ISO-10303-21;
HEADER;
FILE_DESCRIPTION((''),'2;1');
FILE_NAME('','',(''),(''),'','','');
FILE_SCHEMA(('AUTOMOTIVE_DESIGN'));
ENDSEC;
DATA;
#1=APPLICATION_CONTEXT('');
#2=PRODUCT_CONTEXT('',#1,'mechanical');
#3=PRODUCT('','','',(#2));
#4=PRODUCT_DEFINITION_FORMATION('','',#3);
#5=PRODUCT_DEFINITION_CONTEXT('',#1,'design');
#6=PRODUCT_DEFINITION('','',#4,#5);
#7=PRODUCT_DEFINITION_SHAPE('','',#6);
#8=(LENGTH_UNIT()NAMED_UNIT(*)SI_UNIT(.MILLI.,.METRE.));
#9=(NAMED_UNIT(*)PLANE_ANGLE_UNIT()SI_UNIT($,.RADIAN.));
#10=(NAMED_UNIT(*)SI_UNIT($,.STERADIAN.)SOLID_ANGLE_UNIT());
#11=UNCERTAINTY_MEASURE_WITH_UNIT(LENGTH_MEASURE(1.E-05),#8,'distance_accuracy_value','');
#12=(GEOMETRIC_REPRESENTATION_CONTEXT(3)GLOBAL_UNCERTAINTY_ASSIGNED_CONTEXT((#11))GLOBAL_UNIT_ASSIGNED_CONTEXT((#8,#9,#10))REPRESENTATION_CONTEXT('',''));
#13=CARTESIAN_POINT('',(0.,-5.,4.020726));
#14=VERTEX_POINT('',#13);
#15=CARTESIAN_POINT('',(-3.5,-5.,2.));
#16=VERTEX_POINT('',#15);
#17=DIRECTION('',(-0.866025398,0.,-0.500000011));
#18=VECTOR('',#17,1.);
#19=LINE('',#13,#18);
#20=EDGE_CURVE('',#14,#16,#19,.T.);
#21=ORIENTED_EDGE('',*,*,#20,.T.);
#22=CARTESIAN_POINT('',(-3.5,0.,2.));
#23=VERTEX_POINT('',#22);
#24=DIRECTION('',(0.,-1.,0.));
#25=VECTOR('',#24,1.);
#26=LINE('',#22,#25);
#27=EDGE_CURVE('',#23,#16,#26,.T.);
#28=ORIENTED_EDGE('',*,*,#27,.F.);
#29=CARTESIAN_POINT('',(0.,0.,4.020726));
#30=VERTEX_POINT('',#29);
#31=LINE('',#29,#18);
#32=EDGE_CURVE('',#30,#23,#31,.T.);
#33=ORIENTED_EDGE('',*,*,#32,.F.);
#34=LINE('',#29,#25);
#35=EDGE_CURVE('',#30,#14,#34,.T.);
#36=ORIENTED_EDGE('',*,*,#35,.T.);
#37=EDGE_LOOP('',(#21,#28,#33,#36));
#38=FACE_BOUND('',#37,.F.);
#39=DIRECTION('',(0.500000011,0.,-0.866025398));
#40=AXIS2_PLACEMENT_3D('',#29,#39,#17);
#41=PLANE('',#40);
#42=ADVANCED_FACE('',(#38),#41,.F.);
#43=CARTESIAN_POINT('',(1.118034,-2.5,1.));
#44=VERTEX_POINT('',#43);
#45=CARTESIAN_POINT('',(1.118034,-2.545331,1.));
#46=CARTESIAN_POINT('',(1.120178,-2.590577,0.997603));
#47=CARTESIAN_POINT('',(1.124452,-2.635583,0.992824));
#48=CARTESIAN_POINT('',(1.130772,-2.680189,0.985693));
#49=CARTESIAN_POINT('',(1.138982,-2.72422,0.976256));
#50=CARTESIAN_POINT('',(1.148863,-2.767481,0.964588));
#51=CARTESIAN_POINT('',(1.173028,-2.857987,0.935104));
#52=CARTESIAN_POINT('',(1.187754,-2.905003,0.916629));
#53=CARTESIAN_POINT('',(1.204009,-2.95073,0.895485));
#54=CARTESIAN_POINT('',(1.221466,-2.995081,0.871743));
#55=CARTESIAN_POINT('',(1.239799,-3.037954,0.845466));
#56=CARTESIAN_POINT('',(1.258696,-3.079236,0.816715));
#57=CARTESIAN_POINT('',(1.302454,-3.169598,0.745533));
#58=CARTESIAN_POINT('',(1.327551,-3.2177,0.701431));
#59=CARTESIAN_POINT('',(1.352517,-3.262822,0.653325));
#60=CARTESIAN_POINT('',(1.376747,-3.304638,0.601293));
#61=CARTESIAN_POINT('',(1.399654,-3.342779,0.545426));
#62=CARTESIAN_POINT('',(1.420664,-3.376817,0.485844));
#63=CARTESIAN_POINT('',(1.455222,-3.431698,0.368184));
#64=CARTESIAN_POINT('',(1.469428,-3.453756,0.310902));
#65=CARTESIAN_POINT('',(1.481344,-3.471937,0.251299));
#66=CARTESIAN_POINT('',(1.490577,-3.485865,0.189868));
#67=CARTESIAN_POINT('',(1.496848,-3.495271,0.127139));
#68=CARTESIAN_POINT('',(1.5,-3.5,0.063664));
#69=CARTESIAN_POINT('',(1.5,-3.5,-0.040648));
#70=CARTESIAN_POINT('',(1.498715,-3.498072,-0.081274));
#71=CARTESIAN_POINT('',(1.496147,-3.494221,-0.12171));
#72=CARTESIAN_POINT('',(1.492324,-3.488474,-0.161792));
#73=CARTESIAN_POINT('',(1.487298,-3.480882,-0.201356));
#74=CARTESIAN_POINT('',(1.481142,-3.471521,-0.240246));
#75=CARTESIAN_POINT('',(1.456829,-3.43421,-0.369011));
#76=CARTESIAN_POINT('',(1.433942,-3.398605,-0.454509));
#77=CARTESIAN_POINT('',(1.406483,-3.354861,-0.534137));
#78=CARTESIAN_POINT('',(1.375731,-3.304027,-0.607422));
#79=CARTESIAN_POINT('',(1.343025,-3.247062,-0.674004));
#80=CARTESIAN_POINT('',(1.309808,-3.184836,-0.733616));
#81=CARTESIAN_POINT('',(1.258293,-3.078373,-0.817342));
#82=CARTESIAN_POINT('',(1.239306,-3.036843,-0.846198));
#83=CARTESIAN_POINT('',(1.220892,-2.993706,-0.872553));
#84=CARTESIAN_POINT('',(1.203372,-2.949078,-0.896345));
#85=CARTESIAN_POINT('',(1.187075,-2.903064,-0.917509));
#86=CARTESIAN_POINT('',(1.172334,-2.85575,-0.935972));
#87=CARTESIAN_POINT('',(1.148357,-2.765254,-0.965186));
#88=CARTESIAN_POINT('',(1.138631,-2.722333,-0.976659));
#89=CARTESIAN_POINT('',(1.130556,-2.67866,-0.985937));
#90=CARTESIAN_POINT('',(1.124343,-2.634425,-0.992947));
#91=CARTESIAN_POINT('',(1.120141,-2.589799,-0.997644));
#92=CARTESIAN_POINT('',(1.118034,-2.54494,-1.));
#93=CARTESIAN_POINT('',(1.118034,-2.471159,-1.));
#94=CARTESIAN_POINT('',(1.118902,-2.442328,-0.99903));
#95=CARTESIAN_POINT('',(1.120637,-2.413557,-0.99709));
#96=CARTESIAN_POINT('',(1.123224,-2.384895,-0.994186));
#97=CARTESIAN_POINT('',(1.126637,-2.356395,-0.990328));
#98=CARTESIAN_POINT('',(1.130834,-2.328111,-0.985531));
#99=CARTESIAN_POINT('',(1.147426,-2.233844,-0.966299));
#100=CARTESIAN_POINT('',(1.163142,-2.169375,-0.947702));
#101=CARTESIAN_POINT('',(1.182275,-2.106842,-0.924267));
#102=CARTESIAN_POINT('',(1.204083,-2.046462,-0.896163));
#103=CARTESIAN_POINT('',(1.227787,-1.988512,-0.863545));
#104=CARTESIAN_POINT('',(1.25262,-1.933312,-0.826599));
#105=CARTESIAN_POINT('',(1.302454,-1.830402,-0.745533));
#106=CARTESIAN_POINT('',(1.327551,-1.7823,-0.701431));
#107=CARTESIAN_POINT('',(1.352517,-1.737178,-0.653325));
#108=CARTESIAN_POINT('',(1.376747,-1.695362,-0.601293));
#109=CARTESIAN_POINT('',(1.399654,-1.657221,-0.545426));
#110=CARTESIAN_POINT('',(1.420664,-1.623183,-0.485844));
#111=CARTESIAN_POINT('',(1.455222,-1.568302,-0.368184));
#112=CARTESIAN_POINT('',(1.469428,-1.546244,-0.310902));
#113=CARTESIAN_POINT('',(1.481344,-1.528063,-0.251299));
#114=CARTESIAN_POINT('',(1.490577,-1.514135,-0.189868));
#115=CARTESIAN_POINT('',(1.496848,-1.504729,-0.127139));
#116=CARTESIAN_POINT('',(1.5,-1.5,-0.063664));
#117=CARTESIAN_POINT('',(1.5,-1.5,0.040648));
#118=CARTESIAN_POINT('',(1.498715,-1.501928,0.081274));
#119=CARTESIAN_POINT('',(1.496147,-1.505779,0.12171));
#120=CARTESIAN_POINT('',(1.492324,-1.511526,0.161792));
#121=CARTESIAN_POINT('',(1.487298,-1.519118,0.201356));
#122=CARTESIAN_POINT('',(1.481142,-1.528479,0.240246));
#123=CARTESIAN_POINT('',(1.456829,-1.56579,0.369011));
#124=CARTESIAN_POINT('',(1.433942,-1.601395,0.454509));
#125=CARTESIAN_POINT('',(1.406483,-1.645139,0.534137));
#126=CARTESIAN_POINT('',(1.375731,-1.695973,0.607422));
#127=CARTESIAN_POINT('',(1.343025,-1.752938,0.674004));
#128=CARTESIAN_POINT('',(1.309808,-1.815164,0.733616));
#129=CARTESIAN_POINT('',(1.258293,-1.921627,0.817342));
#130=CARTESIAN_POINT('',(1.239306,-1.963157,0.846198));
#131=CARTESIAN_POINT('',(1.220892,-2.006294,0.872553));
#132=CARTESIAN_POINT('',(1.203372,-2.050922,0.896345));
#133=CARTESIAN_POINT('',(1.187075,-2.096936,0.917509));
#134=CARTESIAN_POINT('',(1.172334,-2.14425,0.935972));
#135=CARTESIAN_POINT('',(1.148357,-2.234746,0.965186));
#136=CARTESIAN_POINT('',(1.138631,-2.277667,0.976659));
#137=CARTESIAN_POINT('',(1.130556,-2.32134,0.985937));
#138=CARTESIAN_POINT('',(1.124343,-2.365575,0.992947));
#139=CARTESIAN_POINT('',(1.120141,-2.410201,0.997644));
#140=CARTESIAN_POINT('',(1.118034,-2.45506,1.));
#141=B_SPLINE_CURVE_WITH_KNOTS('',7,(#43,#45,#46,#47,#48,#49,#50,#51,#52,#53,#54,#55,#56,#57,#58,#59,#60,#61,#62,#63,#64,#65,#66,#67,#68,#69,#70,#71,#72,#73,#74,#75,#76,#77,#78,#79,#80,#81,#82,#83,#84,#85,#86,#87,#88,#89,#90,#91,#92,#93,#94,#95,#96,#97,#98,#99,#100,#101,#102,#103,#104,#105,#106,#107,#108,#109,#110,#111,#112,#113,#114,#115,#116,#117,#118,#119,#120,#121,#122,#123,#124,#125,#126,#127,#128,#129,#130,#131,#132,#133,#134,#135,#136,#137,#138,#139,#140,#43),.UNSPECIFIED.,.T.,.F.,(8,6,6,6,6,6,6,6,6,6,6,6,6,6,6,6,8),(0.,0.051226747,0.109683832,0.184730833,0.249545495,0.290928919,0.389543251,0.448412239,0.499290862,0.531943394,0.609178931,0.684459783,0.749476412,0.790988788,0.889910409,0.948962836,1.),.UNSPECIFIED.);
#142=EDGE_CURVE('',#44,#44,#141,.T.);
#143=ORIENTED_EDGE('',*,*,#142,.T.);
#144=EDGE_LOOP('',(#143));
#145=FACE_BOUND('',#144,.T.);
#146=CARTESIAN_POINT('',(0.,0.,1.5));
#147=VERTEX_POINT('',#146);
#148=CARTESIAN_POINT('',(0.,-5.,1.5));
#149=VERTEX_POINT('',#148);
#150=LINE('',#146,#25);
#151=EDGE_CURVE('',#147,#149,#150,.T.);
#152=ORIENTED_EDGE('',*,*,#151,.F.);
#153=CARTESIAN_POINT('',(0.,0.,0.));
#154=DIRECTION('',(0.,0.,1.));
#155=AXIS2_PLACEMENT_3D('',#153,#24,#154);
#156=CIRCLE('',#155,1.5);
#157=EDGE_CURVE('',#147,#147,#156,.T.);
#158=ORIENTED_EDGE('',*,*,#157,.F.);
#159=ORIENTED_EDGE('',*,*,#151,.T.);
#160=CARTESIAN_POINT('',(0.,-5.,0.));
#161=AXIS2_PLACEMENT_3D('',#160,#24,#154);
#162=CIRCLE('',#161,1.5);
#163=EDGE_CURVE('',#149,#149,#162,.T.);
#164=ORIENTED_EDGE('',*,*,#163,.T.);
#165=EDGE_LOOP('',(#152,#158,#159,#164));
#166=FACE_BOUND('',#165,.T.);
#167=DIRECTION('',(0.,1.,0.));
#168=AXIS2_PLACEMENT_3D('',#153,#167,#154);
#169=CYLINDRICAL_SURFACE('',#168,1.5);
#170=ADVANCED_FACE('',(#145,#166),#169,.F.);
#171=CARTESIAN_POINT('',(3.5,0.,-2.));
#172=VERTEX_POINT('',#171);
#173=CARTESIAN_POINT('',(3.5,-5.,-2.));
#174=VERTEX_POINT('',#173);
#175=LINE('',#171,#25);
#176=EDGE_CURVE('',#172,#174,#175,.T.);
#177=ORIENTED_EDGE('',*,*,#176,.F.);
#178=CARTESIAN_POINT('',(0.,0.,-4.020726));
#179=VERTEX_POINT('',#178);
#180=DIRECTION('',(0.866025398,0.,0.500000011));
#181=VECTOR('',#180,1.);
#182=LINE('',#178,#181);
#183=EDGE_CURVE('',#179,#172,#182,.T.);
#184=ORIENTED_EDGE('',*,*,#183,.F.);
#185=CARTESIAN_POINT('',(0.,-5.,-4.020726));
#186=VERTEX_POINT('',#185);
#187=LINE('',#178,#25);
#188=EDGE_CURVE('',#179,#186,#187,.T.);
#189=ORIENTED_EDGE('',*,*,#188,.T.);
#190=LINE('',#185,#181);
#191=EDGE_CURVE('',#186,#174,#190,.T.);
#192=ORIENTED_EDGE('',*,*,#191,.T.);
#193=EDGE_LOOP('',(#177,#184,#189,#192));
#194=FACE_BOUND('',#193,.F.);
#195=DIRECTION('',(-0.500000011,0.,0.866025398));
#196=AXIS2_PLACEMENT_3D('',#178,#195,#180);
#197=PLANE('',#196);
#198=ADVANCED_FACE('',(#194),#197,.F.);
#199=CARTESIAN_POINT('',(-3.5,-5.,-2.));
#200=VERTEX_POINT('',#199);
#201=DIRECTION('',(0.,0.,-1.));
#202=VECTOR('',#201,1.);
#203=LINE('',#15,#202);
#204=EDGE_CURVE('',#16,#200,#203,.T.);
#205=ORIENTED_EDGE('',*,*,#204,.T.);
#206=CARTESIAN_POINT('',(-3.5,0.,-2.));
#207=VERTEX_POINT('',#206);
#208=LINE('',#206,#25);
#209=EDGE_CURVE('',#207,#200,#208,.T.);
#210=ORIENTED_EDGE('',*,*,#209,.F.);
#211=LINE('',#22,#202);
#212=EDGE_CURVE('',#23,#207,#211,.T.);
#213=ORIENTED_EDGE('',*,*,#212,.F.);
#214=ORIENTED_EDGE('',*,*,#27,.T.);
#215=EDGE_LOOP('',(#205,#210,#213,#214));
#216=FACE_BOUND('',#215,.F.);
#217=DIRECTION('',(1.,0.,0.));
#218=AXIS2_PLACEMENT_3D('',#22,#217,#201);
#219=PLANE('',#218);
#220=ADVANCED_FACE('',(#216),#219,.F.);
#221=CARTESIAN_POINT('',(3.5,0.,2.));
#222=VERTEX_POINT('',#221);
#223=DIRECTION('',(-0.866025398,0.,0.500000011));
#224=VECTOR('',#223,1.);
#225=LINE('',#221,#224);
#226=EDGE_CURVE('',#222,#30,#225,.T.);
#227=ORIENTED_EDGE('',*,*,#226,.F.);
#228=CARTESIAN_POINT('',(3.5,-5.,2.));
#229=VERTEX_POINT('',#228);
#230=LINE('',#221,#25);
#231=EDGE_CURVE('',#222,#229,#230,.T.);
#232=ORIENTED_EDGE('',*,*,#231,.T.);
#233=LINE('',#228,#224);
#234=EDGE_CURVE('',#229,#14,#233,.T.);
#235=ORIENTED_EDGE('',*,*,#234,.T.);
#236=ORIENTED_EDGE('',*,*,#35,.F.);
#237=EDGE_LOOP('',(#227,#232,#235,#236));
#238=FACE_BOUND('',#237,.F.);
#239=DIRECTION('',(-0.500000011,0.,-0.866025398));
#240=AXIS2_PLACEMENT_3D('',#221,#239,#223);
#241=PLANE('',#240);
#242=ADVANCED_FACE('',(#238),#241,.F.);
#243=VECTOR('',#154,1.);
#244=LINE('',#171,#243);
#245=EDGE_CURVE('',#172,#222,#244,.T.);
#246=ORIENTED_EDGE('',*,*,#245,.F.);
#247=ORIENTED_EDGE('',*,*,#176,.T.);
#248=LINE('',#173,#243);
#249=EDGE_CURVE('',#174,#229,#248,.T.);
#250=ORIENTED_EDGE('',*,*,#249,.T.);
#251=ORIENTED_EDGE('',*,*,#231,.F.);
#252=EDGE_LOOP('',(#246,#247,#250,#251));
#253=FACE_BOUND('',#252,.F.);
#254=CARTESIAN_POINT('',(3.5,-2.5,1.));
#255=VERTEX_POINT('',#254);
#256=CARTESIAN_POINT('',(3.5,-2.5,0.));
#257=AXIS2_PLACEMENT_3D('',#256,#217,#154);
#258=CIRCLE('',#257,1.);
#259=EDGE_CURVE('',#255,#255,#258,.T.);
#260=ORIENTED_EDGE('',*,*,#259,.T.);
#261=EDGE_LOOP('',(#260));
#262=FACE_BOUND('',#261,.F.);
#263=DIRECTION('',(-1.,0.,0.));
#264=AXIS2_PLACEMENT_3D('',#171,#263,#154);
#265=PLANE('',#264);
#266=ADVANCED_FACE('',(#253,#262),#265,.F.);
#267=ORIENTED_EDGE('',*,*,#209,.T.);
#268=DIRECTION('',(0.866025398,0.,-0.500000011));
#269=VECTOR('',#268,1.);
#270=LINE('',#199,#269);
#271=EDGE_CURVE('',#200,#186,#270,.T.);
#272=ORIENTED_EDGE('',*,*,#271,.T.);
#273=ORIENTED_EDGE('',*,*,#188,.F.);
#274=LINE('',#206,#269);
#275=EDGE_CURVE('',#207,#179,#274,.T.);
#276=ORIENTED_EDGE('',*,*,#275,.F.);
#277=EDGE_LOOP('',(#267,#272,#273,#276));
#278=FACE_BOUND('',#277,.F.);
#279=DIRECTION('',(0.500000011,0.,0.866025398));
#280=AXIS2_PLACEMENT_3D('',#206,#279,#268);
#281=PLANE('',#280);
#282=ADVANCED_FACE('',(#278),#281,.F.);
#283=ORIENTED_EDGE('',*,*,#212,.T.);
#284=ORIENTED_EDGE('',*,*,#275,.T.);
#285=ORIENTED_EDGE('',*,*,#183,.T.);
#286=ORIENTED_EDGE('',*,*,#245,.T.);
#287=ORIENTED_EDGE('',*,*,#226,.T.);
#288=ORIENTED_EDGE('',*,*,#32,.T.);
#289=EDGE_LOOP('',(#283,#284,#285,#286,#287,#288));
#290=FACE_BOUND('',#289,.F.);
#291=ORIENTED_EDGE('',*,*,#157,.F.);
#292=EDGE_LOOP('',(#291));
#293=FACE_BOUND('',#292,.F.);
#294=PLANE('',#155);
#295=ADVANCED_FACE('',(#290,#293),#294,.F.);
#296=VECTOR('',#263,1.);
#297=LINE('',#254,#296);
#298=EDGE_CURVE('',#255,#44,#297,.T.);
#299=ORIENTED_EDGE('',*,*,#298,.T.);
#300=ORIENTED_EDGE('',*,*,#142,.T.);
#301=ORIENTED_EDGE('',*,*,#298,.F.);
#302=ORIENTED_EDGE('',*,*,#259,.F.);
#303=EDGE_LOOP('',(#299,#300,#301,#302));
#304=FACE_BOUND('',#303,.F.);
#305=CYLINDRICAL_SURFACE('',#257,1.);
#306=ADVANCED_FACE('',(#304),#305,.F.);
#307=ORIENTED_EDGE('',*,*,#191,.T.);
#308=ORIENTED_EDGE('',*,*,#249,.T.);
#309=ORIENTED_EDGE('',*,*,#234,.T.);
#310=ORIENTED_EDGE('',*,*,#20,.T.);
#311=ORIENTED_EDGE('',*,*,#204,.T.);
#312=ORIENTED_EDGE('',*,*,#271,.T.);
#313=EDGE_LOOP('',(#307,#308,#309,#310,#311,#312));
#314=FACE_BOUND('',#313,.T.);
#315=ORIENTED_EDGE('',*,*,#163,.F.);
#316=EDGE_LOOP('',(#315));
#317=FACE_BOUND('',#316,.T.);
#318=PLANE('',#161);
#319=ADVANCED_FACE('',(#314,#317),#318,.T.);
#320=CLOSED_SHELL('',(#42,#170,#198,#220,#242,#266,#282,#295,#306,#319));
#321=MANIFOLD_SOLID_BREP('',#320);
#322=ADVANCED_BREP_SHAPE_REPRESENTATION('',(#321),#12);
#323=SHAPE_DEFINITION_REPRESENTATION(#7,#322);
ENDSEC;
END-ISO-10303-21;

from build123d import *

# Parameters (mm, degrees)
F0_R     = 1.5
F1_DEPTH = 5
F2_R     = 1
F3_DEPTH = 3
F5_ANGLE = 90
F7_ANGLE = 90


with BuildPart() as f1:
    # F0 (on Top) → F1 (new body)
    with BuildSketch(Plane.XY):
        Polygon((2, 3.5), (-2, 3.5), (-4.020726, 0), (-2, -3.5), (2, -3.5), (4.020726, 0), align=None)
        Circle(F0_R, mode=Mode.SUBTRACT)
    extrude(amount=F1_DEPTH)

    # F2 (on face) → F3 (cut)
    with BuildSketch(Plane.XZ.offset(3.5)):
        with Locations((0, 2.5)):
            Circle(F2_R)
    extrude(amount=-F3_DEPTH, mode=Mode.SUBTRACT)


with BuildPart() as f1_1:
    # F5: moved
    add(f1.part.rotate(Axis((2.035894, 0, 0), (1, 0, 0)), F5_ANGLE))


with BuildPart() as f1_2:
    # F7: moved
    add(f1_1.part.rotate(Axis((0, 0.571142, 0), (0, -1, 0)), F7_ANGLE))


solid = f1_2.part
